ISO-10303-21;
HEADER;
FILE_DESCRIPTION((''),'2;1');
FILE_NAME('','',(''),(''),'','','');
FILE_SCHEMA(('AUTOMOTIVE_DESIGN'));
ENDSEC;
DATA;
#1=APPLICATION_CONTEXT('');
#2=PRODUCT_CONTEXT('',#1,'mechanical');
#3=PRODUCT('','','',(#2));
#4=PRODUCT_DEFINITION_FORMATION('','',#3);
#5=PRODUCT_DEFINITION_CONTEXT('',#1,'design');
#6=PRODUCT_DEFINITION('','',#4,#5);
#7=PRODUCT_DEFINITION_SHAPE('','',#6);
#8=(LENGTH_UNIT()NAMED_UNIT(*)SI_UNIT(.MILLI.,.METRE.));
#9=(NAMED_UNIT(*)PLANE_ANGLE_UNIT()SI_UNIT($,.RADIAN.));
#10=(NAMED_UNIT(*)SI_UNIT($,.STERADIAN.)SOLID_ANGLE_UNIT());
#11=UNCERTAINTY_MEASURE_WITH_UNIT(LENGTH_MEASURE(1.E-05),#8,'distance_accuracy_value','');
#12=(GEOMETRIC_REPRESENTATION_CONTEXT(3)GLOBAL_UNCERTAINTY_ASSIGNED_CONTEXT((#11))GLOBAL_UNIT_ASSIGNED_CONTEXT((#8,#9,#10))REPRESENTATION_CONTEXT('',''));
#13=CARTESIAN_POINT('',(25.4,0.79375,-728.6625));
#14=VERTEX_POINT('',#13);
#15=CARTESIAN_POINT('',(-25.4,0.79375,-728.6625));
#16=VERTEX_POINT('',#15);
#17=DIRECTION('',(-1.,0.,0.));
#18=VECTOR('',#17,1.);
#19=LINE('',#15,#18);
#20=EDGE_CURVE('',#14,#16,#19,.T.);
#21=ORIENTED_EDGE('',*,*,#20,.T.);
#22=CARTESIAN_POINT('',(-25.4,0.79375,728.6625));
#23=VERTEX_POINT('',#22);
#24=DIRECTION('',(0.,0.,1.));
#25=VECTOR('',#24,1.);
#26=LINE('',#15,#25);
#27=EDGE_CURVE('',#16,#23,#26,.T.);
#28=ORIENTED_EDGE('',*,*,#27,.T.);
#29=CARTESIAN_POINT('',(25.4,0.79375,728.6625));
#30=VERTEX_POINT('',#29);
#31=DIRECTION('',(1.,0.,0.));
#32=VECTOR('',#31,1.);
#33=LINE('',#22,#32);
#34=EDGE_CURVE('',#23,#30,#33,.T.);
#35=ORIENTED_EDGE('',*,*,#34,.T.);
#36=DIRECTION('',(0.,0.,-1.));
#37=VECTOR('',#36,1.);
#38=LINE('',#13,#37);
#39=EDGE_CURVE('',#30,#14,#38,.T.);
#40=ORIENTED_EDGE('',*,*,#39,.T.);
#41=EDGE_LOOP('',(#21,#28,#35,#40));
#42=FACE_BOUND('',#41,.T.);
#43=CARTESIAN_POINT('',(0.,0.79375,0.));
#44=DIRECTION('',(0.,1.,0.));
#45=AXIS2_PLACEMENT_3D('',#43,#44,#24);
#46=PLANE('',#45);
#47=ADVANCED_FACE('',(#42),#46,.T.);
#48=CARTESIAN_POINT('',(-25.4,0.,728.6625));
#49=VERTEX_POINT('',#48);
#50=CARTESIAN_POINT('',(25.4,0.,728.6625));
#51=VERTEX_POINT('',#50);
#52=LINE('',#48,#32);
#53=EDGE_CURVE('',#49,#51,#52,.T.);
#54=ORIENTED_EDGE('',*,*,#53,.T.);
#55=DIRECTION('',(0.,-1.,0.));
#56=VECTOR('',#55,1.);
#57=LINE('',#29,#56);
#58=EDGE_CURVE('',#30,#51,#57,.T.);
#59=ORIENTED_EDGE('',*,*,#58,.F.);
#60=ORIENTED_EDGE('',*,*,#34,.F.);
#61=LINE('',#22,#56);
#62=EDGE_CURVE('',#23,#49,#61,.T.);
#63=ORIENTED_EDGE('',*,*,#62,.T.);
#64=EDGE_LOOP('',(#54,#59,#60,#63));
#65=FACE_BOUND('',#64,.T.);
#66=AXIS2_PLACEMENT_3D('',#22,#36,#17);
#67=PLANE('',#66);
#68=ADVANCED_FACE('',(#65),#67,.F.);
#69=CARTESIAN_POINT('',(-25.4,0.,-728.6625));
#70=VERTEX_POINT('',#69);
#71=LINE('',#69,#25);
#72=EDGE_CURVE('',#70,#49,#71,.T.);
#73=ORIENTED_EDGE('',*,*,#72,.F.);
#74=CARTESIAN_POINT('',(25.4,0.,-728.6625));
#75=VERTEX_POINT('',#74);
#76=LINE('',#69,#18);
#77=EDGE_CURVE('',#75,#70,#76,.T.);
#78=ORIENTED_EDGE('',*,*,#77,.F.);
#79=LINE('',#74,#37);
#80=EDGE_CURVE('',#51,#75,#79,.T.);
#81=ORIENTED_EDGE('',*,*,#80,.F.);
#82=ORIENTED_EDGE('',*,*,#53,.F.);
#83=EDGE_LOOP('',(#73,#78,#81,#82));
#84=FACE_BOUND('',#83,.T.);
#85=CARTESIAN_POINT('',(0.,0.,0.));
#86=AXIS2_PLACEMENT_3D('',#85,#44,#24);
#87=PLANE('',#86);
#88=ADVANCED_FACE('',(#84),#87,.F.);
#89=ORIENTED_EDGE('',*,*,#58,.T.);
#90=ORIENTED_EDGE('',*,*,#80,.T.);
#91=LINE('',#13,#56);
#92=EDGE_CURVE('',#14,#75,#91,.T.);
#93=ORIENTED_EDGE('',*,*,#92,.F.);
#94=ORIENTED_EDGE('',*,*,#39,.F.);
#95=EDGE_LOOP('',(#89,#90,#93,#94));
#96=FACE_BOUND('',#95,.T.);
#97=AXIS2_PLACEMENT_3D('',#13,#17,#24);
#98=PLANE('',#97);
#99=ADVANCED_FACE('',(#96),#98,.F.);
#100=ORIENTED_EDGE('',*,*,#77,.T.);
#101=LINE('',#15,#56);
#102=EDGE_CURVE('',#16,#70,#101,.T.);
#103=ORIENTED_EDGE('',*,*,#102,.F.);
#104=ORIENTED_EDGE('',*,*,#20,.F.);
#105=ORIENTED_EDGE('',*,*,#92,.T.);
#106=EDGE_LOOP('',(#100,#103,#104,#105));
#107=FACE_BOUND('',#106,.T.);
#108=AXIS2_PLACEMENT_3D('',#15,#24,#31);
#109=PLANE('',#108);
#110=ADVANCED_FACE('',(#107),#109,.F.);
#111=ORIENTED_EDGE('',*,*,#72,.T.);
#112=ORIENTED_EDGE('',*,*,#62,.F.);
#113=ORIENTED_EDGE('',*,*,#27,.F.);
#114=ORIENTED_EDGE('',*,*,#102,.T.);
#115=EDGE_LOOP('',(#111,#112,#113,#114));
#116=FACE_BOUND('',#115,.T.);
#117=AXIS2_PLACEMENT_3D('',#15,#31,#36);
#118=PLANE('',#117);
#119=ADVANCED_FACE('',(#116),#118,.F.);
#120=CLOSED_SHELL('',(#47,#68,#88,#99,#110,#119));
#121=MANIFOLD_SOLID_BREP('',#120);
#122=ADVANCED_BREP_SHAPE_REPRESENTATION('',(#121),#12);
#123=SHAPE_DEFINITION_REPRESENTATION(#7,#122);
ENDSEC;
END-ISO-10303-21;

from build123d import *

# Parameters (mm, degrees)
SKETCH1_W           = 50.8
SKETCH1_H           = 1457.325
BOSS_EXTRUDE1_DEPTH = 0.79375


with BuildPart() as part:
    # Sketch1 → Boss-Extrude1 (new body)
    with BuildSketch(Plane(origin=(0, 0, 0), x_dir=(1, 0, 0), z_dir=(0, 1, 0))):
        Rectangle(SKETCH1_W, SKETCH1_H)
    extrude(amount=BOSS_EXTRUDE1_DEPTH)


solid = part.part
